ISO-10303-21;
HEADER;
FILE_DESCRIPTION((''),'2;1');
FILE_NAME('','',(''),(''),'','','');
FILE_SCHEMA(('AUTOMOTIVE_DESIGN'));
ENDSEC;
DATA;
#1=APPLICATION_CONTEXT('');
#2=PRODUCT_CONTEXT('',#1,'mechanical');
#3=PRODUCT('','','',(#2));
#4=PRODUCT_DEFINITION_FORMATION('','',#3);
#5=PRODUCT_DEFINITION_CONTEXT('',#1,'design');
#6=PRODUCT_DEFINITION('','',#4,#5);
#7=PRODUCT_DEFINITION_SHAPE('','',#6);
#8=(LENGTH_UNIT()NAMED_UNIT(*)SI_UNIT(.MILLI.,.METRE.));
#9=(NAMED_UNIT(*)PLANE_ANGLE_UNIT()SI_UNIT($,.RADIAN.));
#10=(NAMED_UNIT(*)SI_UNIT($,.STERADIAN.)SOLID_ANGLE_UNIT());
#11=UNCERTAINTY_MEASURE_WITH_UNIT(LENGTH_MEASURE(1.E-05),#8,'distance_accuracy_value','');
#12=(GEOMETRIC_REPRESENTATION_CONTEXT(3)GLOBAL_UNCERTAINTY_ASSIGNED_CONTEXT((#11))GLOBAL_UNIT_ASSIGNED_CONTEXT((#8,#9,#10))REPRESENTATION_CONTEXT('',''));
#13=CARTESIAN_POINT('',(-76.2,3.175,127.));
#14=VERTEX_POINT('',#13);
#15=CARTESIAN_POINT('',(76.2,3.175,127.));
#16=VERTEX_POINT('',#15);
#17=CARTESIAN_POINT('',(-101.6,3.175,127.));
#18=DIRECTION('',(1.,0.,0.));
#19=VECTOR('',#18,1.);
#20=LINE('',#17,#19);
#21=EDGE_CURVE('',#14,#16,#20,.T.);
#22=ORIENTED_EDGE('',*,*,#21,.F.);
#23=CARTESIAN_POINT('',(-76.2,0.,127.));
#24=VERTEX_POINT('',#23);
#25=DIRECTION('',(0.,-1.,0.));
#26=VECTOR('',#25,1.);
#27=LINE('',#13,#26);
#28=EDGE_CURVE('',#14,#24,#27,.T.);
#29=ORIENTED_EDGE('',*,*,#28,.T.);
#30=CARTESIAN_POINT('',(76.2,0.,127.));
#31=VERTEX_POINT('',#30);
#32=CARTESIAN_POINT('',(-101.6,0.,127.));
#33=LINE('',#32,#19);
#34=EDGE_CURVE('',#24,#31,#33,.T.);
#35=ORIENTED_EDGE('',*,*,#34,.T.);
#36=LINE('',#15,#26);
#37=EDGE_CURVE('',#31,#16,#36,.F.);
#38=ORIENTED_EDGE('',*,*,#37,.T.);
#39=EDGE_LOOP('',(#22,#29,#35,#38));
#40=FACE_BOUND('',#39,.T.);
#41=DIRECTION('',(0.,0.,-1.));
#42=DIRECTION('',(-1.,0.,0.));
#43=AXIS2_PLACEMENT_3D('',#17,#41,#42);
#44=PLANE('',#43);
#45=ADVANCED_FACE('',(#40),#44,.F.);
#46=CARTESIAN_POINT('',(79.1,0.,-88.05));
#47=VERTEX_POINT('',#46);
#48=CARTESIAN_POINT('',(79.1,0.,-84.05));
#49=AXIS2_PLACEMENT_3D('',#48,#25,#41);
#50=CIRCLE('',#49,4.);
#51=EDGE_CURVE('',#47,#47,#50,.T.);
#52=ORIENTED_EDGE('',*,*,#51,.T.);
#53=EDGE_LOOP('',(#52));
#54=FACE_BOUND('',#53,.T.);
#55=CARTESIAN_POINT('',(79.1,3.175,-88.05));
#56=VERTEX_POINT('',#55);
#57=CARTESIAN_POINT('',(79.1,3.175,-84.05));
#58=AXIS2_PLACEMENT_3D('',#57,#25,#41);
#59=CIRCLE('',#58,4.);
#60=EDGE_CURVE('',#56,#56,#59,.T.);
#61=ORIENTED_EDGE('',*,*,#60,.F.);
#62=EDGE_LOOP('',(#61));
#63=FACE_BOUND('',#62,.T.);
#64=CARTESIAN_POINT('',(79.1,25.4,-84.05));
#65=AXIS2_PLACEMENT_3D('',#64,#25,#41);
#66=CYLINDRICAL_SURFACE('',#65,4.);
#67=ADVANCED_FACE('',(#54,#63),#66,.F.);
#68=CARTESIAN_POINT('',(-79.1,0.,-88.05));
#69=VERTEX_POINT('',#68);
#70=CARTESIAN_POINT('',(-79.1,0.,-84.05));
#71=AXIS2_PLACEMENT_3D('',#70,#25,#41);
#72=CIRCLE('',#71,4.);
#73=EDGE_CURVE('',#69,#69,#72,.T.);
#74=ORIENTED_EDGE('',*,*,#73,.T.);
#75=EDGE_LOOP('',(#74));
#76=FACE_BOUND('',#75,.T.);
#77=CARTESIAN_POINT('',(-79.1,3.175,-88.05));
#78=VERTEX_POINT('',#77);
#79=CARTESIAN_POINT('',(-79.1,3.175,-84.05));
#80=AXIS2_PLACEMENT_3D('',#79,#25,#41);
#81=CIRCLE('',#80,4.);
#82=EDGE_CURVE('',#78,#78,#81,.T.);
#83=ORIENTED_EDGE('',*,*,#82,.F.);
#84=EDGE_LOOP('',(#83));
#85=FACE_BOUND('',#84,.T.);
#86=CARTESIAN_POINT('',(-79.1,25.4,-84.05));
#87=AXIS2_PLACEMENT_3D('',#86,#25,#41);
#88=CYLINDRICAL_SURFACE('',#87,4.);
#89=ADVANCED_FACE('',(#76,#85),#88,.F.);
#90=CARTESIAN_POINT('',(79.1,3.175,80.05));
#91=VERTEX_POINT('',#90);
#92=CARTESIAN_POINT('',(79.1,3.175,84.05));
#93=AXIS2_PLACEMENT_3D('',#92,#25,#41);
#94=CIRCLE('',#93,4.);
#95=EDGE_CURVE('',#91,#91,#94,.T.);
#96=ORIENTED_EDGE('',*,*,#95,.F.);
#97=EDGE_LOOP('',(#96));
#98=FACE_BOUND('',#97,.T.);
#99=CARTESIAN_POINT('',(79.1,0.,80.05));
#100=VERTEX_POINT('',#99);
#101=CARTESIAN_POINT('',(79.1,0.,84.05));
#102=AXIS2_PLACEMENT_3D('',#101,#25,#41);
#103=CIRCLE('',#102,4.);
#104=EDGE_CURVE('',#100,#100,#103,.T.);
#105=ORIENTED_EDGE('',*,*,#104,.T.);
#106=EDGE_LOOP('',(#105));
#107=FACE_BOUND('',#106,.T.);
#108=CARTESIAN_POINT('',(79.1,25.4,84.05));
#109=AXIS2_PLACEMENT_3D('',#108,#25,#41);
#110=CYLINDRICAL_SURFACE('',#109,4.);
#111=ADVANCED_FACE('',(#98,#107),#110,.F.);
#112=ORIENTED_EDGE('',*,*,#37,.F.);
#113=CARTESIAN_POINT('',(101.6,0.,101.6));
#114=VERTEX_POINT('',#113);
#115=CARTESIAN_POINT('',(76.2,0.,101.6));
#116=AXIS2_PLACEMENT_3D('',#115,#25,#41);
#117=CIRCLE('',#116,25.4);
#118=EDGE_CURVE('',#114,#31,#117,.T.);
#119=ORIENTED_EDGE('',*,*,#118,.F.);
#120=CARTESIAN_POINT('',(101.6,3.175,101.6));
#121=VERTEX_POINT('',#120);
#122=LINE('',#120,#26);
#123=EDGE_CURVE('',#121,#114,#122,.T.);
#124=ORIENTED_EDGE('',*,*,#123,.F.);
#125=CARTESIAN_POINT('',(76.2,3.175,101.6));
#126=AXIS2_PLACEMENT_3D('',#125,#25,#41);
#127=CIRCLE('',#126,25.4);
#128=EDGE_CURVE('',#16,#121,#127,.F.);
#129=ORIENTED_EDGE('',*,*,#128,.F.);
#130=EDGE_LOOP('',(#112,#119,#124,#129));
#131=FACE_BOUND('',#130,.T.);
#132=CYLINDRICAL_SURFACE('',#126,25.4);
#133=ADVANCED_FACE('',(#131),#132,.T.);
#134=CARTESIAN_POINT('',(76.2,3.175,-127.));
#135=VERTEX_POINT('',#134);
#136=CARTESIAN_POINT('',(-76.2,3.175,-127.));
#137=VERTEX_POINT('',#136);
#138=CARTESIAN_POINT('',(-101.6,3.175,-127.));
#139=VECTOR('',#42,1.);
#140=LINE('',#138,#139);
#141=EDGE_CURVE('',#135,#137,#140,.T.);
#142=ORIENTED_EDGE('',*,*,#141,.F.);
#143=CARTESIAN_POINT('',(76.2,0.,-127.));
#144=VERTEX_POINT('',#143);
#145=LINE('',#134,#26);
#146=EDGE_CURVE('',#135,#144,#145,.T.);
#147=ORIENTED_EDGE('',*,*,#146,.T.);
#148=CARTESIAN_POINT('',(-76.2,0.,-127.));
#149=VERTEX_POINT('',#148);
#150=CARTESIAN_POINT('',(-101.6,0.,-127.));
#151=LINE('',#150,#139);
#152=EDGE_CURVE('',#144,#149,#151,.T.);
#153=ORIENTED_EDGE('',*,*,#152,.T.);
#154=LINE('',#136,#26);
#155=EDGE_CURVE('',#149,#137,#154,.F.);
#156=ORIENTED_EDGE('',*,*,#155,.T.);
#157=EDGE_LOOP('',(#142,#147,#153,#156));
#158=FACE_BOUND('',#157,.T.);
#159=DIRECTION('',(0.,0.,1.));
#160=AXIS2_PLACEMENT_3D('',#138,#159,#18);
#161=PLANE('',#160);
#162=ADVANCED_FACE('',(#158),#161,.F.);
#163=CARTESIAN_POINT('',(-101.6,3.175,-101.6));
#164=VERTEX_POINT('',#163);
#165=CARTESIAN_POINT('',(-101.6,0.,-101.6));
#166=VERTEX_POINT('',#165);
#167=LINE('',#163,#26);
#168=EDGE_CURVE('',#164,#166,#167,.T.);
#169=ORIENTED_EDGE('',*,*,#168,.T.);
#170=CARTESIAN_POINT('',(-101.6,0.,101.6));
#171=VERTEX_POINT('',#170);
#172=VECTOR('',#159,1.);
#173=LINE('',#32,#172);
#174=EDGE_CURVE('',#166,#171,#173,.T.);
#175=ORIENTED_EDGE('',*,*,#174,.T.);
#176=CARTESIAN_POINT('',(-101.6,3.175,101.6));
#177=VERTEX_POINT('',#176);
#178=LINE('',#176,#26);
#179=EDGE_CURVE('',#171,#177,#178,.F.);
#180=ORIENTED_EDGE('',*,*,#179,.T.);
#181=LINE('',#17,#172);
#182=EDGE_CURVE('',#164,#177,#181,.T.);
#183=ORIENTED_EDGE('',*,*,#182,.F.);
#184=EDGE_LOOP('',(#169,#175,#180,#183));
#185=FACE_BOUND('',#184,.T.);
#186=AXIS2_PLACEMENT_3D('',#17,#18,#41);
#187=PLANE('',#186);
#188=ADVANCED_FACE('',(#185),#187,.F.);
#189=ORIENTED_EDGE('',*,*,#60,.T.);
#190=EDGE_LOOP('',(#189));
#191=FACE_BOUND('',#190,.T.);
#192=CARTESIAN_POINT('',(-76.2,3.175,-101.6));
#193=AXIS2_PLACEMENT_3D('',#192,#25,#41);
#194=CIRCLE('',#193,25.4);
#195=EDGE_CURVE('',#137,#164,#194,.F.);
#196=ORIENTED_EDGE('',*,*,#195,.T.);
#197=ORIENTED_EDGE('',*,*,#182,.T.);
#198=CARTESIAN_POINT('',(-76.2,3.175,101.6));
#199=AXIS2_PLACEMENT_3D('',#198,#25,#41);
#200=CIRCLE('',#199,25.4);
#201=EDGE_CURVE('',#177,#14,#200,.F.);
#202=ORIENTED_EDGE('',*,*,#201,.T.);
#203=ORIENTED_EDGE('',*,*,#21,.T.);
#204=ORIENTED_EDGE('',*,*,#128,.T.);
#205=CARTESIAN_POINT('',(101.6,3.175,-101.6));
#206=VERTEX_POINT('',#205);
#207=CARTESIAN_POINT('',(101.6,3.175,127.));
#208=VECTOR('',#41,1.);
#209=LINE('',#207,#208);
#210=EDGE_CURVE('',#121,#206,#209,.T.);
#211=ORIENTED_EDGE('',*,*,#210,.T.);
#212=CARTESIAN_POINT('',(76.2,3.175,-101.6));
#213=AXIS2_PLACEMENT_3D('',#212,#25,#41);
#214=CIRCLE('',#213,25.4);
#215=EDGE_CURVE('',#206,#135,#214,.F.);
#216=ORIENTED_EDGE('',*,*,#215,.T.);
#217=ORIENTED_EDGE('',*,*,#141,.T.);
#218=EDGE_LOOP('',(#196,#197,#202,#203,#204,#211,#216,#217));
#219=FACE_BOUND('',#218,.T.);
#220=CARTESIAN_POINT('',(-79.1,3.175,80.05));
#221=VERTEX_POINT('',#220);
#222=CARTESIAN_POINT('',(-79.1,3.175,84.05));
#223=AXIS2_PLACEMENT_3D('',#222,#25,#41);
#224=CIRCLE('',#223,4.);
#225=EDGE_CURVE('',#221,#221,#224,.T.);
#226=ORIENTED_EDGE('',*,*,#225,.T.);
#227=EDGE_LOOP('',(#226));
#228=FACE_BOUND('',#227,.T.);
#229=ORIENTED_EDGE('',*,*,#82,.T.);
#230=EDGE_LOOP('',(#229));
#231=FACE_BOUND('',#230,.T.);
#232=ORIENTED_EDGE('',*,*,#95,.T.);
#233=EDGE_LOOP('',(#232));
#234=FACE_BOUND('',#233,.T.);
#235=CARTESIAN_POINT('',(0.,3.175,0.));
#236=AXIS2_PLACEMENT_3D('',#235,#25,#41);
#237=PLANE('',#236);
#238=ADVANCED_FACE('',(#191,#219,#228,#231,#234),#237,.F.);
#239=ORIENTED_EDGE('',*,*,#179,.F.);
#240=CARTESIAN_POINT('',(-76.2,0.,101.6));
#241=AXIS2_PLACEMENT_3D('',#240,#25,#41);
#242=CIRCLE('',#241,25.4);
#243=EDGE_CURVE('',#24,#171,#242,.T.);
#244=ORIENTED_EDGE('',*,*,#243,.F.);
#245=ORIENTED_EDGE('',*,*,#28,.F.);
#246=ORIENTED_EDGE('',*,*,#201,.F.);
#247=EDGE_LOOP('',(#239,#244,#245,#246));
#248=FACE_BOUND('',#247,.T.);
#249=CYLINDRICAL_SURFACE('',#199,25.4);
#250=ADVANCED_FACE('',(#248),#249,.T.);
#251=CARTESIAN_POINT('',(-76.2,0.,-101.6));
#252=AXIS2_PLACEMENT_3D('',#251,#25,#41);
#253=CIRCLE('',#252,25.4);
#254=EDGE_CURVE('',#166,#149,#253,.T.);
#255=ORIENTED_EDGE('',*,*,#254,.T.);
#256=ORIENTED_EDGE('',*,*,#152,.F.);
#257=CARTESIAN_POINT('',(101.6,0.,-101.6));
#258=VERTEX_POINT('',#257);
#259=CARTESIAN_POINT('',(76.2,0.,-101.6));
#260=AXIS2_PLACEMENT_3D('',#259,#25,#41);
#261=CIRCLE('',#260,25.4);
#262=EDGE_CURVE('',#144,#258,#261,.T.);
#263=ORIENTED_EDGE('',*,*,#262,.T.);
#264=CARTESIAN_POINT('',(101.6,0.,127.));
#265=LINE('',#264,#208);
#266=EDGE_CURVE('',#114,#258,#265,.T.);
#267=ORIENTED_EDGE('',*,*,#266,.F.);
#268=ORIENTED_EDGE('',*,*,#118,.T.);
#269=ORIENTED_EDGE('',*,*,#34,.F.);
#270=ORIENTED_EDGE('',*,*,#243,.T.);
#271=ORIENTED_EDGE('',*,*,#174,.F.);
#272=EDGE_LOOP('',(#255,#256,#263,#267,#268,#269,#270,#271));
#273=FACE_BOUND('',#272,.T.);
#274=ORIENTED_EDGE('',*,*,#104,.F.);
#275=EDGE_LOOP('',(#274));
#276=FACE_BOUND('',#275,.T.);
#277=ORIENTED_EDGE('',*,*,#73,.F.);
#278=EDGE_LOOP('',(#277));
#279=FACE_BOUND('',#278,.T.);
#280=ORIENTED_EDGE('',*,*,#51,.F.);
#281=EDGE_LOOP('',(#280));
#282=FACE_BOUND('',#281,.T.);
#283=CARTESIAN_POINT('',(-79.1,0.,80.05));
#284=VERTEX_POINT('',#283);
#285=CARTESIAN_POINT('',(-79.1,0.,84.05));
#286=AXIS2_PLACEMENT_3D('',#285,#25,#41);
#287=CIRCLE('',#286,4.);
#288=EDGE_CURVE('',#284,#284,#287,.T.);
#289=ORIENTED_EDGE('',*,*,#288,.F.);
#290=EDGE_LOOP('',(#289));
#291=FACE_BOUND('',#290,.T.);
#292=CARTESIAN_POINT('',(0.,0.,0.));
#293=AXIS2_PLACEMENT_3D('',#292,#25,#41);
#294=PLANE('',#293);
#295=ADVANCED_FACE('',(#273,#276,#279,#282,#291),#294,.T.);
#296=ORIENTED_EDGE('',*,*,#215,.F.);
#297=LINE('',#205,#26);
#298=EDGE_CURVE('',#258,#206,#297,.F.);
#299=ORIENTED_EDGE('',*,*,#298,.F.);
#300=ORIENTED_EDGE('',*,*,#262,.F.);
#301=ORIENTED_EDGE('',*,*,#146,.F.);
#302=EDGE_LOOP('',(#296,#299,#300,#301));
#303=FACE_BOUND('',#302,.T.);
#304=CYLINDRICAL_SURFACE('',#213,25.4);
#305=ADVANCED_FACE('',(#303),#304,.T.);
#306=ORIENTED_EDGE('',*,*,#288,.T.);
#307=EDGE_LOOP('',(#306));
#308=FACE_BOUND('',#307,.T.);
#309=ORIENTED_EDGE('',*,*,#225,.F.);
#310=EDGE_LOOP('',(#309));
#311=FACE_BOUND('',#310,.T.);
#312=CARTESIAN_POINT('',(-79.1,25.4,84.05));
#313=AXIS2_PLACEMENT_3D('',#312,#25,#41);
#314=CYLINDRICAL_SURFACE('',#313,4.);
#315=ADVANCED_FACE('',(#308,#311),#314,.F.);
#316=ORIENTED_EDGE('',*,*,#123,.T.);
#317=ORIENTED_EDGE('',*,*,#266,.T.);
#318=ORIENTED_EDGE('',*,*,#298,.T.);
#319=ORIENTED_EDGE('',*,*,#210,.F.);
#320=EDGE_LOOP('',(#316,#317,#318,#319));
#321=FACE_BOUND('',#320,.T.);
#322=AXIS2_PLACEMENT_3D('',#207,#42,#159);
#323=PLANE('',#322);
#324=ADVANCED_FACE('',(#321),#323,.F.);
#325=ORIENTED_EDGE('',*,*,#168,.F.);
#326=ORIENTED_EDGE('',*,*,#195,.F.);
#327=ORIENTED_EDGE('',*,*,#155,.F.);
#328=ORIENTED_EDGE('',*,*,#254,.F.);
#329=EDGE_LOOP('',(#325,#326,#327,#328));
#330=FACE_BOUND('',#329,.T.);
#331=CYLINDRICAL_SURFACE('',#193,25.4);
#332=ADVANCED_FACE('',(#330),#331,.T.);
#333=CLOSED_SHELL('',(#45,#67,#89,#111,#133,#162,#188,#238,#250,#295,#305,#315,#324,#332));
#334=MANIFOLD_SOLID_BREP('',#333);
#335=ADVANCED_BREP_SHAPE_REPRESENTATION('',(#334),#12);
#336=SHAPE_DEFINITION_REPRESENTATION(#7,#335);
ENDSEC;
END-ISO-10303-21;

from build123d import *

# Parameters (mm, degrees)
SKETCH1_W           = 203.2
SKETCH1_H           = 254
BOSS_EXTRUDE1_DEPTH = 3.175
FILLET1_R           = 25.4
SKETCH2_R           = 4
CUT_EXTRUDE1_DEPTH  = 25.4


with BuildPart() as part:
    # Sketch1 → Boss-Extrude1 (new body)
    with BuildSketch(Plane(origin=(0, 0, 0), x_dir=(1, 0, 0), z_dir=(0, 1, 0))):
        Rectangle(SKETCH1_W, SKETCH1_H)
    extrude(amount=BOSS_EXTRUDE1_DEPTH)

    # Fillet1
    fillet1_edges = [part.edges().sort_by_distance(p)[0] for p in [
        (101.6, 1.5875, 127),
        (-101.6, 1.5875, 127),
        (-101.6, 1.5875, -127),
        (101.6, 1.5875, -127),
    ]]
    fillet(fillet1_edges, radius=FILLET1_R)

    # Sketch2 → Cut-Extrude1 (cut)
    with BuildSketch(Plane.XZ):
        with Locations(Location((-79.1, 84.050000013, 0), (0, 0, 270))):
            Circle(SKETCH2_R)
        with Locations(Location((79.1, 84.050000013, 0), (0, 0, 270))):
            Circle(SKETCH2_R)
        with Locations(Location((79.1, -84.050000013, 0), (0, 0, 270))):
            Circle(SKETCH2_R)
        with Locations(Location((-79.1, -84.050000013, 0), (0, 0, 270))):
            Circle(SKETCH2_R)
    extrude(amount=-CUT_EXTRUDE1_DEPTH, mode=Mode.SUBTRACT)


solid = part.part
